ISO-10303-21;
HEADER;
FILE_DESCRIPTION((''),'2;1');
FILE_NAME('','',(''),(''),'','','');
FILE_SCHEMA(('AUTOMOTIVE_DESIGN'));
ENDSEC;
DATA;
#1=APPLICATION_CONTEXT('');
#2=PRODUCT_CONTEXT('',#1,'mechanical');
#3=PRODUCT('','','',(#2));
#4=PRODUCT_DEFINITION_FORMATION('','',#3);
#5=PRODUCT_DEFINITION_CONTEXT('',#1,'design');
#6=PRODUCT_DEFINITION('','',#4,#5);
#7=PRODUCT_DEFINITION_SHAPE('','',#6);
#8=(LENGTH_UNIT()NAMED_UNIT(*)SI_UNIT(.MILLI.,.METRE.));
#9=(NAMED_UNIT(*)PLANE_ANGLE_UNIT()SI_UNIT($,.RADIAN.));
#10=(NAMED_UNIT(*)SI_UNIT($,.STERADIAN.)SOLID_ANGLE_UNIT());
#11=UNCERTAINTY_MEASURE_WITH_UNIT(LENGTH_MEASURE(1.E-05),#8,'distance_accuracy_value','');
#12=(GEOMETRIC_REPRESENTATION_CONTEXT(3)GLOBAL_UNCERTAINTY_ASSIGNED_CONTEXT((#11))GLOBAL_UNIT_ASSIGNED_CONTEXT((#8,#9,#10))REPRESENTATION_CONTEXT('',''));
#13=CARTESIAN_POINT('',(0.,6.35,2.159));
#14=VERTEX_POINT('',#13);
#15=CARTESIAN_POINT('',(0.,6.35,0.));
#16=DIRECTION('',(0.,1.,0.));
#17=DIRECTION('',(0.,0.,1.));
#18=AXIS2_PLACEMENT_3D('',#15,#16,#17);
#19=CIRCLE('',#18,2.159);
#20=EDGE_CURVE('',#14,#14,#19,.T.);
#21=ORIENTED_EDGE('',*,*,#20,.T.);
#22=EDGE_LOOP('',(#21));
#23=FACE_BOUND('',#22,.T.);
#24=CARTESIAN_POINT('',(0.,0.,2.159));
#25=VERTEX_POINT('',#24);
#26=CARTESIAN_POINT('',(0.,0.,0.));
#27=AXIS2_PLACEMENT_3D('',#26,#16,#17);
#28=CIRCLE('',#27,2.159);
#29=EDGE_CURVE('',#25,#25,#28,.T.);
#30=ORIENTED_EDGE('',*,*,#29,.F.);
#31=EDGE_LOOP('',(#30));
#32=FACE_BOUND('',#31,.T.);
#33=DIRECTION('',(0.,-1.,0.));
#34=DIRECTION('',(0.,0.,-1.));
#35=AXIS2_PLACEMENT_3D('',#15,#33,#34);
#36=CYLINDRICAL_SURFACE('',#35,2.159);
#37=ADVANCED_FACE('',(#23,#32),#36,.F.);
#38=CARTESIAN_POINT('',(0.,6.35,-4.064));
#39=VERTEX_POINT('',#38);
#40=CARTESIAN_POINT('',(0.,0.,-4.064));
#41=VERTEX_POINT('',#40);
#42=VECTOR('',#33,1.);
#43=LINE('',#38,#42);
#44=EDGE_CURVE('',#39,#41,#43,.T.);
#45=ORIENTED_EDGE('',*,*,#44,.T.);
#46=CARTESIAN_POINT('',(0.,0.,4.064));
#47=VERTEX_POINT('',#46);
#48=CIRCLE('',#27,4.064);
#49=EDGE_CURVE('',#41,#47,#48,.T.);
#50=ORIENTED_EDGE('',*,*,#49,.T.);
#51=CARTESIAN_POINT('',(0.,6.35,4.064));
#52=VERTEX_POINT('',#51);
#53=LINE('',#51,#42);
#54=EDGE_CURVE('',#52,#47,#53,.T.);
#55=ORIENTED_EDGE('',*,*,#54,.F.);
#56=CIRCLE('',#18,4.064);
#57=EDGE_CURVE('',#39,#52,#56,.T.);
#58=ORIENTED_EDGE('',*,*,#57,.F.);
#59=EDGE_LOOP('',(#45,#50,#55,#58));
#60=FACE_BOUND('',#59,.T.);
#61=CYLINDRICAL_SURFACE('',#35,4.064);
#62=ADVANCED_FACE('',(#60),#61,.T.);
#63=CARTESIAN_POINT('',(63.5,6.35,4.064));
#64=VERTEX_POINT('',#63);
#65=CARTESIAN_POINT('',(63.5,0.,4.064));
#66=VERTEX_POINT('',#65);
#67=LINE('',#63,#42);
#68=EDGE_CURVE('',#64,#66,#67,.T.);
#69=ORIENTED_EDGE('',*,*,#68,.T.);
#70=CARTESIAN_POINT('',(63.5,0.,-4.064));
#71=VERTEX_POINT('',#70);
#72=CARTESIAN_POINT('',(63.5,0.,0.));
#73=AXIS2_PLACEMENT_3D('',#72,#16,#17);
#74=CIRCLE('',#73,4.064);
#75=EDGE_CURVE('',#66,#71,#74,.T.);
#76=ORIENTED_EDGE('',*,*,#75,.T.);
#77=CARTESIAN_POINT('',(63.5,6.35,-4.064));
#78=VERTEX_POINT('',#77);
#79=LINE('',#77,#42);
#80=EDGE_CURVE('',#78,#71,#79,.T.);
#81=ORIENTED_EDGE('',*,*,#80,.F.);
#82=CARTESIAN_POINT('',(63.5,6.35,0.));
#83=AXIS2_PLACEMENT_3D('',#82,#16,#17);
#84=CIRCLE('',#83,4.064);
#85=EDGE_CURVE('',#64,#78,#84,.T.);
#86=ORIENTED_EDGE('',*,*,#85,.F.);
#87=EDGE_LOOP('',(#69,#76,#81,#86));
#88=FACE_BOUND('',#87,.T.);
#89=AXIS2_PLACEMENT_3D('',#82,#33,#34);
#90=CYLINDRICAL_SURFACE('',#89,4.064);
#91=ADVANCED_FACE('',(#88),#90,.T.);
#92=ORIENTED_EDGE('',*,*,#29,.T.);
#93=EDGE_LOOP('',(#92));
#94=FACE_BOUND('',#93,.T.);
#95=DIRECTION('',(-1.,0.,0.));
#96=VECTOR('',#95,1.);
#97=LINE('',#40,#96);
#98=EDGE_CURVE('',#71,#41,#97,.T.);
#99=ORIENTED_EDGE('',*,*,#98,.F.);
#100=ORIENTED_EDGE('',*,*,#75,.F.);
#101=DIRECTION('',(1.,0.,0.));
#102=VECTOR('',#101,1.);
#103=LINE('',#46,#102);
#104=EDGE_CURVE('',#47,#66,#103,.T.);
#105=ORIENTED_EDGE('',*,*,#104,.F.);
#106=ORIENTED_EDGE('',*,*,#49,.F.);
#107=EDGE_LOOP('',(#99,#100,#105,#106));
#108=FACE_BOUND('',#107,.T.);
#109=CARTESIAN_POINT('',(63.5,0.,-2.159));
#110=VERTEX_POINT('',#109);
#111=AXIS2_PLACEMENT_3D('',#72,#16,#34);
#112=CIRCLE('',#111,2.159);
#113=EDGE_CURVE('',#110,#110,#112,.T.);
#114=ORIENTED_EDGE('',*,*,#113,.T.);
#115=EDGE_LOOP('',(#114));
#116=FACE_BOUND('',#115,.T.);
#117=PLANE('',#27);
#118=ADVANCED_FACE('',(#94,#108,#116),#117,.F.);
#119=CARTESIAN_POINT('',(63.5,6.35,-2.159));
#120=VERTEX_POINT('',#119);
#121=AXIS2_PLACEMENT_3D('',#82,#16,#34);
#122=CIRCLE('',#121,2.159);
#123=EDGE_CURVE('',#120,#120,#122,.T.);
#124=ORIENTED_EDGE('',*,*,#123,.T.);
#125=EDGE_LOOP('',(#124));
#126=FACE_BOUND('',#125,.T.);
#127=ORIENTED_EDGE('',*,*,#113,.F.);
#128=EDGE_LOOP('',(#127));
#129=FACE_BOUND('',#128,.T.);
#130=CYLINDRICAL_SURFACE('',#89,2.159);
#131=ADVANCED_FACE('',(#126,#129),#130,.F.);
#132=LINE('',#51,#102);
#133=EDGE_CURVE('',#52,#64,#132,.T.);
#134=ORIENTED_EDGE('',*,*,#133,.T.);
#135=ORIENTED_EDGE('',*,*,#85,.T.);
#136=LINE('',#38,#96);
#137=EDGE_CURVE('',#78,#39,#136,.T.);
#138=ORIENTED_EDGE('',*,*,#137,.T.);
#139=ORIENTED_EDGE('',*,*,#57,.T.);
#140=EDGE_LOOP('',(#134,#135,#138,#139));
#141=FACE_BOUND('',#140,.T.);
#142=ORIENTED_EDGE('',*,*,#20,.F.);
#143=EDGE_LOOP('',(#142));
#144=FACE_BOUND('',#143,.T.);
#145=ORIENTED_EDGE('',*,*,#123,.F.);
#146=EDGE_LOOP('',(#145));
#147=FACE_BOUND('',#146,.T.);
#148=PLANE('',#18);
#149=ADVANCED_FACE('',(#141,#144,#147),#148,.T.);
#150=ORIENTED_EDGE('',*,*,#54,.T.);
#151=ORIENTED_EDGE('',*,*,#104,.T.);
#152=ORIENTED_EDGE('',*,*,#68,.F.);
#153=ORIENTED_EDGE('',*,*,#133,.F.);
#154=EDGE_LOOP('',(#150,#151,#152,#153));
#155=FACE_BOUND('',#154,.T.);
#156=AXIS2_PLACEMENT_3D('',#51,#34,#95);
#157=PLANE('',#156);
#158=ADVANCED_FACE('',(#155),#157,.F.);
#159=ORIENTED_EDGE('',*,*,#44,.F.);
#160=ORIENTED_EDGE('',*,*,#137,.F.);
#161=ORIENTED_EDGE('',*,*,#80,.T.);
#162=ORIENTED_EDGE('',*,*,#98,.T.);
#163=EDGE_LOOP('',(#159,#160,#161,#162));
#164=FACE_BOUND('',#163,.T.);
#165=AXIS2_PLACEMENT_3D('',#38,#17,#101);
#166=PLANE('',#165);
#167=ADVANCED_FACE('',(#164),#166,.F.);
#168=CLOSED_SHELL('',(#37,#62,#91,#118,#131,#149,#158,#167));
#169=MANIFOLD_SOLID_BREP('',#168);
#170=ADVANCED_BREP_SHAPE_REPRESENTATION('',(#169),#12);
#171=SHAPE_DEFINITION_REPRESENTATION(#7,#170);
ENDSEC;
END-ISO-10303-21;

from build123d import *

# Parameters (mm, degrees)
SKETCH1_R           = 2.159
BOSS_EXTRUDE1_DEPTH = 6.35


with BuildPart() as part:
    # Sketch1 → Boss-Extrude1 (new body)
    with BuildSketch(Plane(origin=(0, 0, 0), x_dir=(1, 0, 0), z_dir=(0, 1, 0))):
        with BuildLine():
            Line((0, 4.064), (63.5, 4.064))
            ThreePointArc((63.5, 4.064), (67.564, 0), (63.5, -4.064))
            Line((63.5, -4.064), (0, -4.064))
            ThreePointArc((0, -4.064), (-4.064, 0), (0, 4.064))
        make_face()
        with Locations(Location((0, 0, 0), (0, 0, 270))):
            Circle(SKETCH1_R, mode=Mode.SUBTRACT)
        with Locations(Location((63.5, 0, 0), (0, 0, 90))):
            Circle(SKETCH1_R, mode=Mode.SUBTRACT)
    extrude(amount=BOSS_EXTRUDE1_DEPTH)


solid = part.part
